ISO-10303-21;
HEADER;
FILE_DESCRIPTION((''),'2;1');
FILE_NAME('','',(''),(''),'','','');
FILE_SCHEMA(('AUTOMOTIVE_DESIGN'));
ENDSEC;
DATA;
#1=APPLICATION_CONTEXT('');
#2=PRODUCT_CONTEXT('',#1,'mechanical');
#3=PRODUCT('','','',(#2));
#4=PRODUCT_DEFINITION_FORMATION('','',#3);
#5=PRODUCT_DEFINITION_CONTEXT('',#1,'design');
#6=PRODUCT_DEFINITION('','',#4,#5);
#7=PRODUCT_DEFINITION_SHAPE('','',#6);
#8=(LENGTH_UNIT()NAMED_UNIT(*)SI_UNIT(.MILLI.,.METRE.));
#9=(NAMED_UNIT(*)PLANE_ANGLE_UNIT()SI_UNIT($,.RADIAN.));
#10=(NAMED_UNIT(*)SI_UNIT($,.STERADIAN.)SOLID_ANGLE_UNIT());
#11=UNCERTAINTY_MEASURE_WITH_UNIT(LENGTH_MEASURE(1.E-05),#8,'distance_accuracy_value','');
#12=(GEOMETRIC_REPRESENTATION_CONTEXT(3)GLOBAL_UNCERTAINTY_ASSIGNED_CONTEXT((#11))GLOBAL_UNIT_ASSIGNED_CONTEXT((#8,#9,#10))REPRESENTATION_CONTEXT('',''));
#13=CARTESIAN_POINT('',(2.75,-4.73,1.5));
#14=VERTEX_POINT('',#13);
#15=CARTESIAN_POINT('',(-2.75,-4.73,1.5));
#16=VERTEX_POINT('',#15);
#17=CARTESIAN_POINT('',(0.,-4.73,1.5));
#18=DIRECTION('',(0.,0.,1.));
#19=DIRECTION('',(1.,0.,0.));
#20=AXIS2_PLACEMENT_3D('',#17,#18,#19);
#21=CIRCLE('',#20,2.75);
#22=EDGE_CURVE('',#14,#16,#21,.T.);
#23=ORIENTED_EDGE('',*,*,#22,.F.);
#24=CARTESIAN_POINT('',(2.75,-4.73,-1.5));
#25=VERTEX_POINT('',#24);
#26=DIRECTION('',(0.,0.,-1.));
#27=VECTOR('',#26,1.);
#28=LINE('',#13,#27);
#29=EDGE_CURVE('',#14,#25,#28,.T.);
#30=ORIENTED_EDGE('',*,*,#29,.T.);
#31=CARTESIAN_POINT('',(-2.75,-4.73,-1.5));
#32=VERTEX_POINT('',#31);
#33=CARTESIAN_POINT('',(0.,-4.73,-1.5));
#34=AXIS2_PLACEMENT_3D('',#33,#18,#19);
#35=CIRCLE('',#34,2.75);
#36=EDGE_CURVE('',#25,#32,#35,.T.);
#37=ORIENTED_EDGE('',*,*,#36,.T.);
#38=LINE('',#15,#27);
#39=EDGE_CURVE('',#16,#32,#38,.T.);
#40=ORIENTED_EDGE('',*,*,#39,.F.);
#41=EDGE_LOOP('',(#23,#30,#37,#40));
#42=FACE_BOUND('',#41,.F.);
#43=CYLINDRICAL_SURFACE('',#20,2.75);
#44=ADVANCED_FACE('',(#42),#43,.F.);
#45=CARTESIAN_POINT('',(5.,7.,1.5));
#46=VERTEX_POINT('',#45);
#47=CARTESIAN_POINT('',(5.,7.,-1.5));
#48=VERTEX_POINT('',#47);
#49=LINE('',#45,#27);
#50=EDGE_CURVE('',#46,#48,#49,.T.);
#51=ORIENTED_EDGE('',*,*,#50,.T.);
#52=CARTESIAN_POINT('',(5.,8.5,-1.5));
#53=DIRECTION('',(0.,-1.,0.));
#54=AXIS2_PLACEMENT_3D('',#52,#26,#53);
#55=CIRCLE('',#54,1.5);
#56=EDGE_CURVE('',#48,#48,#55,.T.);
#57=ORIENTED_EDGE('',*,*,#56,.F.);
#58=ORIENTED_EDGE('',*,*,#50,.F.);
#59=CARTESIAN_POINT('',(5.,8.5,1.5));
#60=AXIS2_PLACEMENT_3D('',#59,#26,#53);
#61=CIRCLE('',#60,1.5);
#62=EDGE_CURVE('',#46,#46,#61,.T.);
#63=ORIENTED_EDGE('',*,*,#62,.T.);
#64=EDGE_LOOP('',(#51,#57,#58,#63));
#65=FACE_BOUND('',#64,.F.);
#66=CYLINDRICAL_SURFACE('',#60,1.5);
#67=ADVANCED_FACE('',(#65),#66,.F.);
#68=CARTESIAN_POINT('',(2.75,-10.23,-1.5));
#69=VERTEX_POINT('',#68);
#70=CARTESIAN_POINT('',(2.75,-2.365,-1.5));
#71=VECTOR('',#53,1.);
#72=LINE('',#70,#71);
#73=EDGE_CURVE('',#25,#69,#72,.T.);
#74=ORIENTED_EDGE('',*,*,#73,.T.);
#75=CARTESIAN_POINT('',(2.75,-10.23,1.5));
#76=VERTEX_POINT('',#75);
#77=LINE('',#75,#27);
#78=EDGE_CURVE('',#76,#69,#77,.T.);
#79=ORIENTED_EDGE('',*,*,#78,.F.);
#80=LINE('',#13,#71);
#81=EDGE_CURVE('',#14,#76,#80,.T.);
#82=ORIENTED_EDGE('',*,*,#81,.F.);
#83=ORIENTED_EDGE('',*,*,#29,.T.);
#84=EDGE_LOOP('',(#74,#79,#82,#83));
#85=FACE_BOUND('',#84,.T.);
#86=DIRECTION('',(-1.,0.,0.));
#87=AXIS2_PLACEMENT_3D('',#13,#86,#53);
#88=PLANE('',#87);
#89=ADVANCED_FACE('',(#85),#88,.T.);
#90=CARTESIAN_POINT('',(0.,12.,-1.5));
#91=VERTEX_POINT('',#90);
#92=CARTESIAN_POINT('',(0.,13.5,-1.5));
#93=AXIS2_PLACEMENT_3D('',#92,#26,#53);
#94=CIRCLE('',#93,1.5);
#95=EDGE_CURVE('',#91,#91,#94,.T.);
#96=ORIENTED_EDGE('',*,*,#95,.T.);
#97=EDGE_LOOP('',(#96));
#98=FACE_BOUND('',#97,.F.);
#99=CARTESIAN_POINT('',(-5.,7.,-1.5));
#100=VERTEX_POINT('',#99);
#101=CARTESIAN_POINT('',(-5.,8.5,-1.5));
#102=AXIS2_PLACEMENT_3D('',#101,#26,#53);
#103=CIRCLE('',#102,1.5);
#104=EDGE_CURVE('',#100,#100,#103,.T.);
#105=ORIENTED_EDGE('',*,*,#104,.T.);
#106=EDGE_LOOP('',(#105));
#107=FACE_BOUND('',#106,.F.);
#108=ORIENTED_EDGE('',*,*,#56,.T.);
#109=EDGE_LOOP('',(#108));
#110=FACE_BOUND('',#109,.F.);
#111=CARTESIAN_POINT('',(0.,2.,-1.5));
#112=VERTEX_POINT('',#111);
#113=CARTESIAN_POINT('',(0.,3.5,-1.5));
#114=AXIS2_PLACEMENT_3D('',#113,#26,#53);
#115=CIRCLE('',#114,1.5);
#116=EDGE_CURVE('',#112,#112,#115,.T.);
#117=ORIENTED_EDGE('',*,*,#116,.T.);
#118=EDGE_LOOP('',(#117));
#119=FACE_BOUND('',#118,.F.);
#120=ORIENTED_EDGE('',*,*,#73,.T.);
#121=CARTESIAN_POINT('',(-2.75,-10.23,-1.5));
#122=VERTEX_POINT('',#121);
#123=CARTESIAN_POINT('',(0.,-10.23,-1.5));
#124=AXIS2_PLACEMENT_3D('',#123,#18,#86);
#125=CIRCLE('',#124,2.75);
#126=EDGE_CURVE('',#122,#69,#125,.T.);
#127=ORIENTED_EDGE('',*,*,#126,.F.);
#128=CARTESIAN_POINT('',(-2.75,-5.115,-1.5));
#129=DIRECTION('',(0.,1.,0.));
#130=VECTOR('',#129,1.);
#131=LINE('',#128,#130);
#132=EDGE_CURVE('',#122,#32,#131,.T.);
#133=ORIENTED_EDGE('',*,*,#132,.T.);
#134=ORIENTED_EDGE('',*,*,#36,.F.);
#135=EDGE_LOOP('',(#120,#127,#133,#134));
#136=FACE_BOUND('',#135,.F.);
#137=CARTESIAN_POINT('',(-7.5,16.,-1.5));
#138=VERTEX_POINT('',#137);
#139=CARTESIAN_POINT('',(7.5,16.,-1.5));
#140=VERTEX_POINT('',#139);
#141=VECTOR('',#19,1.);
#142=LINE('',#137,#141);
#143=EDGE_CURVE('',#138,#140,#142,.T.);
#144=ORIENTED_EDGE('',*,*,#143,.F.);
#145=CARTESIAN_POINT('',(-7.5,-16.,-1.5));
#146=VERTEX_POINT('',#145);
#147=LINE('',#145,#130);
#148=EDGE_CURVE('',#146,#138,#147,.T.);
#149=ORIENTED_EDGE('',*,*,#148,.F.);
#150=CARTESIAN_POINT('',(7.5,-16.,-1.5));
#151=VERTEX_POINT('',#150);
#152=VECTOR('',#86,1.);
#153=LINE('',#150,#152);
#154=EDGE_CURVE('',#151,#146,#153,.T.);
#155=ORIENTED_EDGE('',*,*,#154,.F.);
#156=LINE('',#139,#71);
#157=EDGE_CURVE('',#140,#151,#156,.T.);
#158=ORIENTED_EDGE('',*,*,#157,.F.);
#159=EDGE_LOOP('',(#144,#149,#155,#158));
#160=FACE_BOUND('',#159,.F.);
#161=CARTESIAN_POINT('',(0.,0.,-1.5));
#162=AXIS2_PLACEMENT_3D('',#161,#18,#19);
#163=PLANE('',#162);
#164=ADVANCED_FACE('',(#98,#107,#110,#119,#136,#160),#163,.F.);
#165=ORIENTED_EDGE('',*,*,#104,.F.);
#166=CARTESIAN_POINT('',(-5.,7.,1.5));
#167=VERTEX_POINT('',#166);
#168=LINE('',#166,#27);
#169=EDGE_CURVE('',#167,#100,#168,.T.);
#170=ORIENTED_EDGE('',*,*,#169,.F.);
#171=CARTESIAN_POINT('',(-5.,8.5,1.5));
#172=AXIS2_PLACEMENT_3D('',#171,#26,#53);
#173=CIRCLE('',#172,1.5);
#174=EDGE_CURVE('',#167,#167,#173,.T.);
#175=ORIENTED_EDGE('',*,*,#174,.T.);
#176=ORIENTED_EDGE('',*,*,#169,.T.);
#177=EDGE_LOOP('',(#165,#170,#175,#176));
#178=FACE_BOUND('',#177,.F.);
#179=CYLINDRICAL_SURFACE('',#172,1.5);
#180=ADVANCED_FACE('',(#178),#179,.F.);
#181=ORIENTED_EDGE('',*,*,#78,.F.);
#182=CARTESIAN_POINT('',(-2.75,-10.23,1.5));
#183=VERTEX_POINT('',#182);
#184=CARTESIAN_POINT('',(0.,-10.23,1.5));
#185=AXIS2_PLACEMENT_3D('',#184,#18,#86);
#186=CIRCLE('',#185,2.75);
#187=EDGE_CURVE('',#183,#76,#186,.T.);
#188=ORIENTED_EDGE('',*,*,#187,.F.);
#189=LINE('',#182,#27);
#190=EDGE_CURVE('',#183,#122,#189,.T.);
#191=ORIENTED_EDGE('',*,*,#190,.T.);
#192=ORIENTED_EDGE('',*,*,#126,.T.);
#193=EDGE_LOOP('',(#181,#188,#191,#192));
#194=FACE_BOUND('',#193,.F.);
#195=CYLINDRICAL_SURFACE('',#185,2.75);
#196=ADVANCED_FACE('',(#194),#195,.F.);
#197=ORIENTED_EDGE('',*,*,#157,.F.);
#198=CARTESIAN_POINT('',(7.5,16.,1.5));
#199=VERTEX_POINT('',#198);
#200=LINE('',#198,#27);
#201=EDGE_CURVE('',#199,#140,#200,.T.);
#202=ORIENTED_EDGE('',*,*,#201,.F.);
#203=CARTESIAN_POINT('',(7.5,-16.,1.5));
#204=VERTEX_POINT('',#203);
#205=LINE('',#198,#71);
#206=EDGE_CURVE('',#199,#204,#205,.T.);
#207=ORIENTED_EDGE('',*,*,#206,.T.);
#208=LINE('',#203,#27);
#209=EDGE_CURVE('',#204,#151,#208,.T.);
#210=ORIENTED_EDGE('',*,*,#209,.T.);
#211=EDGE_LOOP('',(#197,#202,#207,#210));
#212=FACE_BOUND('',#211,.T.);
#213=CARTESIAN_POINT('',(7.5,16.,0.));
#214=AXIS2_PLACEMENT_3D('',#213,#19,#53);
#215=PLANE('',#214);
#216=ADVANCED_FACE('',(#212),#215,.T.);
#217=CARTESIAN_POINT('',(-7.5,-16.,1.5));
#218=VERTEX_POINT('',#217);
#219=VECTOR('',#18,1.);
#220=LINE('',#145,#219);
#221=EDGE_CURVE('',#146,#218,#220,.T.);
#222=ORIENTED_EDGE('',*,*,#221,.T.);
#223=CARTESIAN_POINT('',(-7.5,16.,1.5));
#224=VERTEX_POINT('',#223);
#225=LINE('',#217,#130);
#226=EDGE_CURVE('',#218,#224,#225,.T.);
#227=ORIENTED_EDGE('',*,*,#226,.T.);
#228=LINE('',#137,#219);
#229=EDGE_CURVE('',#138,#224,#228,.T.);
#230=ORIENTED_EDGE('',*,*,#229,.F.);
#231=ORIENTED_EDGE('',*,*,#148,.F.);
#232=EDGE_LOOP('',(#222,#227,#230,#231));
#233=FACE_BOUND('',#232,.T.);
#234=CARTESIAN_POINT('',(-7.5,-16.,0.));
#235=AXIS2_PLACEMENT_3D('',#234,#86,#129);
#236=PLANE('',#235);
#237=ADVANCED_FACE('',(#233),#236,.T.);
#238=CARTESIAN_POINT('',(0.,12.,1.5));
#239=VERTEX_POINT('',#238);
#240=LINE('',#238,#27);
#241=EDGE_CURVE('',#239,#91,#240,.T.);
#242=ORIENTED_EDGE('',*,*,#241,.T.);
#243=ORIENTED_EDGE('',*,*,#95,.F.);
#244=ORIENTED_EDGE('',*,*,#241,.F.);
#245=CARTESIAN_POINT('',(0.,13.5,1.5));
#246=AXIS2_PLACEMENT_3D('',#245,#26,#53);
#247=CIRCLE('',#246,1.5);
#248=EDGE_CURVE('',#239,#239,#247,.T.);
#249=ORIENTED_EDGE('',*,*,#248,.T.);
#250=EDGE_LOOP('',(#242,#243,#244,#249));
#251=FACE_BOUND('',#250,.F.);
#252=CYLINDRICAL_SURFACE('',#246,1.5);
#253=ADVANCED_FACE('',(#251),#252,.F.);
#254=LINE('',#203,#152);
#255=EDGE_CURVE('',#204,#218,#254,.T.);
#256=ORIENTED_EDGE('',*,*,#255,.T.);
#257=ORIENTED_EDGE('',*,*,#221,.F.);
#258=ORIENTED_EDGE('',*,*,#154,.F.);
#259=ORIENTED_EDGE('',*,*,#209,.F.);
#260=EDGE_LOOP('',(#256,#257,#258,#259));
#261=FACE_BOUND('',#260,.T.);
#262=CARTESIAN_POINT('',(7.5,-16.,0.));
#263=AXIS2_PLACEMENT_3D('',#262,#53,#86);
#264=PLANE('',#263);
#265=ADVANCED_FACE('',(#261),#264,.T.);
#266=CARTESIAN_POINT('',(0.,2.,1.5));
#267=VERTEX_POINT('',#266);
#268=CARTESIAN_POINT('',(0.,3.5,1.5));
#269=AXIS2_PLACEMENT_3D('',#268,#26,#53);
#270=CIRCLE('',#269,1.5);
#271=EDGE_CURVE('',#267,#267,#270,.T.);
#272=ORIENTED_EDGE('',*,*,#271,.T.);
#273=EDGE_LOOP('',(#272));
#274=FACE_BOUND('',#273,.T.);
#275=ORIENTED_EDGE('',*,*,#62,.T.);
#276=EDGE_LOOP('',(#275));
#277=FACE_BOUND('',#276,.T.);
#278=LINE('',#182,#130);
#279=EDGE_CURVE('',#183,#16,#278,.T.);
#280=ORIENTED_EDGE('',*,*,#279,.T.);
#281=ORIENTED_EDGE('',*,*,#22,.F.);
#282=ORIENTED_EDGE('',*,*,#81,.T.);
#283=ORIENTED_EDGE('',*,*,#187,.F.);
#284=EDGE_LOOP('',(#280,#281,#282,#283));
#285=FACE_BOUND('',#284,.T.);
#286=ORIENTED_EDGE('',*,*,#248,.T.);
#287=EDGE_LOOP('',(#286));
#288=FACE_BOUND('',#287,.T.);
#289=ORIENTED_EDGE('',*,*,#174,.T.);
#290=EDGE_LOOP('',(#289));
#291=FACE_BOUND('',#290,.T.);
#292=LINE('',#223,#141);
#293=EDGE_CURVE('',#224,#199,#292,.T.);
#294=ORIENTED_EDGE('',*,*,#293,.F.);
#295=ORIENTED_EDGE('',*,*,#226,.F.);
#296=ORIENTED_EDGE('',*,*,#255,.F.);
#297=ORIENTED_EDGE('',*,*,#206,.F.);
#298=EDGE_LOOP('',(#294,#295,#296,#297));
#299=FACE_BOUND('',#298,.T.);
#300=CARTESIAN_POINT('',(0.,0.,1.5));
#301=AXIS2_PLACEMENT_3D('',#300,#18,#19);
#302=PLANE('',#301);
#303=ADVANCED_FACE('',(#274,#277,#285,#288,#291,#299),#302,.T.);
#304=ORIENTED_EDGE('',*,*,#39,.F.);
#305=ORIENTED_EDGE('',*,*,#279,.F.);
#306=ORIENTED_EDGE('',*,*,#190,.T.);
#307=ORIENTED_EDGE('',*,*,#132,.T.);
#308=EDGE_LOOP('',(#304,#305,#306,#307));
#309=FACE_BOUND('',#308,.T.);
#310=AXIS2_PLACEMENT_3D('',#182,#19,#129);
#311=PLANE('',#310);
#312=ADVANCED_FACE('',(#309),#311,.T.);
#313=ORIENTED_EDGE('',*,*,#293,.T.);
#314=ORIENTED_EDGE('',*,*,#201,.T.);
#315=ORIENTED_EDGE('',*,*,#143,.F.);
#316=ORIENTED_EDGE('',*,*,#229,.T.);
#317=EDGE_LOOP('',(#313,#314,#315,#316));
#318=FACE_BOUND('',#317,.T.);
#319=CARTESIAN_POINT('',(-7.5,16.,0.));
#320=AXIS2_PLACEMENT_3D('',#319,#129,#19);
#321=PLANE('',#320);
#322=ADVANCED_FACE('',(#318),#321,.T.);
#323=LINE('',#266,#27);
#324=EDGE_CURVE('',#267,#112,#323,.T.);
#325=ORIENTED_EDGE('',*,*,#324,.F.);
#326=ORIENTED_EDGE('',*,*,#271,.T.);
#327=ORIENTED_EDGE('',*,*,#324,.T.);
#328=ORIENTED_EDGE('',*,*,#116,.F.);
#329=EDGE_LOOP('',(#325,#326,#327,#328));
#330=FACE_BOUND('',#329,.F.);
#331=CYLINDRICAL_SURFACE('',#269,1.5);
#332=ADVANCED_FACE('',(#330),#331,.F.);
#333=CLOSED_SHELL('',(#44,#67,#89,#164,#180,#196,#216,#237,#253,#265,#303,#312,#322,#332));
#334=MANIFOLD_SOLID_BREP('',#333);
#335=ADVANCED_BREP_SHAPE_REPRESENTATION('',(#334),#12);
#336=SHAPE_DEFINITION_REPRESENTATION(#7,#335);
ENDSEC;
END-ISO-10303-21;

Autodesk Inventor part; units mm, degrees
ref_plane "YZ Plane" through (0, 0, 0) normal (1, 0, 0) x (0, 1, 0)
ref_plane "XZ Plane" through (0, 0, 0) normal (0, 1, 0) x (-1, 0, 0)
ref_plane "XY Plane" through (0, 0, 0) normal (0, 0, 1) x (1, 0, 0)
sketch "Sketch1" plane through (0, 0, 0) normal (0, 0, 1) x (1, 0, 0)
  line L0 (-7.5, 16) -> (7.5, 16)
  line L1 (7.5, 16) -> (7.5, -16)
  line L2 (7.5, -16) -> (-7.5, -16)
  line L3 (-7.5, -16) -> (-7.5, 16)
  line L4 (-7.5, 16) -> (7.5, -16) construction
  line L5 (7.5, 16) -> (-7.5, -16) construction
  point P0 (0, 0)
  dimension "d0" = 32
  dimension "d2" = 15
extrude "Extrusion1" add sketch "Sketch1" along normal mid plane 3
sketch "Sketch2" plane through (0, 0, 1.5) normal (0, 0, 1) x (1, 0, 0)
  line L0 (7.5, 16) -> (-7.5, 16) projected
  line L1 (-7.5, -16) -> (7.5, -16) projected
  line L2 (0, 16) -> (0, -16) construction
  point P0 (0, 0)
  point P1 (0, 13.5)
  point P2 (0, 3.5)
  point P3 (-5, 8.5)
  point P4 (5, 8.5)
  dimension "d5" = 10
  dimension "d7" = 10
  dimension "d8" = 5
  dimension "d9" = 2.5
  dimension "d10" = 5
hole "Hole1" at (0, 13.5, 1.5) at (0, 3.5, 1.5) at (-5, 8.5, 1.5) at (5, 8.5, 1.5) direction (0, 0, -1) diameter 3 end through all
sketch "Sketch3" plane through (0, 0, 1.5) normal (0, 0, 1) x (1, 0, 0)
  line L0 (-7.5, -16) -> (7.5, -16) projected
  line L1 (7.5, -16) -> (7.5, 16) projected
  line L2 (0, -23.093) -> (0, 0) construction
  line L3 (-2.75, -4.73) -> (2.75, -4.73)
  line L4 (2.75, -4.73) -> (2.75, -10.23)
  line L5 (2.75, -10.23) -> (-2.75, -10.23)
  line L6 (-2.75, -10.23) -> (-2.75, -4.73)
  line L7 (-2.75, -4.73) -> (2.75, -10.23) construction
  line L8 (2.75, -4.73) -> (-2.75, -10.23) construction
  arc A0 (-2.75, -10.23) -> (2.75, -10.23) centre (0, -10.23) ccw
  arc A1 (2.75, -4.73) -> (-2.75, -4.73) centre (0, -4.73) ccw
  point P0 (0, -7.48)
  dimension "d18" = 5.5
  dimension "d20" = 5.5
  dimension "d21" = 3.02
extrude "Extrusion2" cut sketch "Sketch3" against normal through all
properties part number "Micro Limit Switch Plate" material "Aluminum 6061"
